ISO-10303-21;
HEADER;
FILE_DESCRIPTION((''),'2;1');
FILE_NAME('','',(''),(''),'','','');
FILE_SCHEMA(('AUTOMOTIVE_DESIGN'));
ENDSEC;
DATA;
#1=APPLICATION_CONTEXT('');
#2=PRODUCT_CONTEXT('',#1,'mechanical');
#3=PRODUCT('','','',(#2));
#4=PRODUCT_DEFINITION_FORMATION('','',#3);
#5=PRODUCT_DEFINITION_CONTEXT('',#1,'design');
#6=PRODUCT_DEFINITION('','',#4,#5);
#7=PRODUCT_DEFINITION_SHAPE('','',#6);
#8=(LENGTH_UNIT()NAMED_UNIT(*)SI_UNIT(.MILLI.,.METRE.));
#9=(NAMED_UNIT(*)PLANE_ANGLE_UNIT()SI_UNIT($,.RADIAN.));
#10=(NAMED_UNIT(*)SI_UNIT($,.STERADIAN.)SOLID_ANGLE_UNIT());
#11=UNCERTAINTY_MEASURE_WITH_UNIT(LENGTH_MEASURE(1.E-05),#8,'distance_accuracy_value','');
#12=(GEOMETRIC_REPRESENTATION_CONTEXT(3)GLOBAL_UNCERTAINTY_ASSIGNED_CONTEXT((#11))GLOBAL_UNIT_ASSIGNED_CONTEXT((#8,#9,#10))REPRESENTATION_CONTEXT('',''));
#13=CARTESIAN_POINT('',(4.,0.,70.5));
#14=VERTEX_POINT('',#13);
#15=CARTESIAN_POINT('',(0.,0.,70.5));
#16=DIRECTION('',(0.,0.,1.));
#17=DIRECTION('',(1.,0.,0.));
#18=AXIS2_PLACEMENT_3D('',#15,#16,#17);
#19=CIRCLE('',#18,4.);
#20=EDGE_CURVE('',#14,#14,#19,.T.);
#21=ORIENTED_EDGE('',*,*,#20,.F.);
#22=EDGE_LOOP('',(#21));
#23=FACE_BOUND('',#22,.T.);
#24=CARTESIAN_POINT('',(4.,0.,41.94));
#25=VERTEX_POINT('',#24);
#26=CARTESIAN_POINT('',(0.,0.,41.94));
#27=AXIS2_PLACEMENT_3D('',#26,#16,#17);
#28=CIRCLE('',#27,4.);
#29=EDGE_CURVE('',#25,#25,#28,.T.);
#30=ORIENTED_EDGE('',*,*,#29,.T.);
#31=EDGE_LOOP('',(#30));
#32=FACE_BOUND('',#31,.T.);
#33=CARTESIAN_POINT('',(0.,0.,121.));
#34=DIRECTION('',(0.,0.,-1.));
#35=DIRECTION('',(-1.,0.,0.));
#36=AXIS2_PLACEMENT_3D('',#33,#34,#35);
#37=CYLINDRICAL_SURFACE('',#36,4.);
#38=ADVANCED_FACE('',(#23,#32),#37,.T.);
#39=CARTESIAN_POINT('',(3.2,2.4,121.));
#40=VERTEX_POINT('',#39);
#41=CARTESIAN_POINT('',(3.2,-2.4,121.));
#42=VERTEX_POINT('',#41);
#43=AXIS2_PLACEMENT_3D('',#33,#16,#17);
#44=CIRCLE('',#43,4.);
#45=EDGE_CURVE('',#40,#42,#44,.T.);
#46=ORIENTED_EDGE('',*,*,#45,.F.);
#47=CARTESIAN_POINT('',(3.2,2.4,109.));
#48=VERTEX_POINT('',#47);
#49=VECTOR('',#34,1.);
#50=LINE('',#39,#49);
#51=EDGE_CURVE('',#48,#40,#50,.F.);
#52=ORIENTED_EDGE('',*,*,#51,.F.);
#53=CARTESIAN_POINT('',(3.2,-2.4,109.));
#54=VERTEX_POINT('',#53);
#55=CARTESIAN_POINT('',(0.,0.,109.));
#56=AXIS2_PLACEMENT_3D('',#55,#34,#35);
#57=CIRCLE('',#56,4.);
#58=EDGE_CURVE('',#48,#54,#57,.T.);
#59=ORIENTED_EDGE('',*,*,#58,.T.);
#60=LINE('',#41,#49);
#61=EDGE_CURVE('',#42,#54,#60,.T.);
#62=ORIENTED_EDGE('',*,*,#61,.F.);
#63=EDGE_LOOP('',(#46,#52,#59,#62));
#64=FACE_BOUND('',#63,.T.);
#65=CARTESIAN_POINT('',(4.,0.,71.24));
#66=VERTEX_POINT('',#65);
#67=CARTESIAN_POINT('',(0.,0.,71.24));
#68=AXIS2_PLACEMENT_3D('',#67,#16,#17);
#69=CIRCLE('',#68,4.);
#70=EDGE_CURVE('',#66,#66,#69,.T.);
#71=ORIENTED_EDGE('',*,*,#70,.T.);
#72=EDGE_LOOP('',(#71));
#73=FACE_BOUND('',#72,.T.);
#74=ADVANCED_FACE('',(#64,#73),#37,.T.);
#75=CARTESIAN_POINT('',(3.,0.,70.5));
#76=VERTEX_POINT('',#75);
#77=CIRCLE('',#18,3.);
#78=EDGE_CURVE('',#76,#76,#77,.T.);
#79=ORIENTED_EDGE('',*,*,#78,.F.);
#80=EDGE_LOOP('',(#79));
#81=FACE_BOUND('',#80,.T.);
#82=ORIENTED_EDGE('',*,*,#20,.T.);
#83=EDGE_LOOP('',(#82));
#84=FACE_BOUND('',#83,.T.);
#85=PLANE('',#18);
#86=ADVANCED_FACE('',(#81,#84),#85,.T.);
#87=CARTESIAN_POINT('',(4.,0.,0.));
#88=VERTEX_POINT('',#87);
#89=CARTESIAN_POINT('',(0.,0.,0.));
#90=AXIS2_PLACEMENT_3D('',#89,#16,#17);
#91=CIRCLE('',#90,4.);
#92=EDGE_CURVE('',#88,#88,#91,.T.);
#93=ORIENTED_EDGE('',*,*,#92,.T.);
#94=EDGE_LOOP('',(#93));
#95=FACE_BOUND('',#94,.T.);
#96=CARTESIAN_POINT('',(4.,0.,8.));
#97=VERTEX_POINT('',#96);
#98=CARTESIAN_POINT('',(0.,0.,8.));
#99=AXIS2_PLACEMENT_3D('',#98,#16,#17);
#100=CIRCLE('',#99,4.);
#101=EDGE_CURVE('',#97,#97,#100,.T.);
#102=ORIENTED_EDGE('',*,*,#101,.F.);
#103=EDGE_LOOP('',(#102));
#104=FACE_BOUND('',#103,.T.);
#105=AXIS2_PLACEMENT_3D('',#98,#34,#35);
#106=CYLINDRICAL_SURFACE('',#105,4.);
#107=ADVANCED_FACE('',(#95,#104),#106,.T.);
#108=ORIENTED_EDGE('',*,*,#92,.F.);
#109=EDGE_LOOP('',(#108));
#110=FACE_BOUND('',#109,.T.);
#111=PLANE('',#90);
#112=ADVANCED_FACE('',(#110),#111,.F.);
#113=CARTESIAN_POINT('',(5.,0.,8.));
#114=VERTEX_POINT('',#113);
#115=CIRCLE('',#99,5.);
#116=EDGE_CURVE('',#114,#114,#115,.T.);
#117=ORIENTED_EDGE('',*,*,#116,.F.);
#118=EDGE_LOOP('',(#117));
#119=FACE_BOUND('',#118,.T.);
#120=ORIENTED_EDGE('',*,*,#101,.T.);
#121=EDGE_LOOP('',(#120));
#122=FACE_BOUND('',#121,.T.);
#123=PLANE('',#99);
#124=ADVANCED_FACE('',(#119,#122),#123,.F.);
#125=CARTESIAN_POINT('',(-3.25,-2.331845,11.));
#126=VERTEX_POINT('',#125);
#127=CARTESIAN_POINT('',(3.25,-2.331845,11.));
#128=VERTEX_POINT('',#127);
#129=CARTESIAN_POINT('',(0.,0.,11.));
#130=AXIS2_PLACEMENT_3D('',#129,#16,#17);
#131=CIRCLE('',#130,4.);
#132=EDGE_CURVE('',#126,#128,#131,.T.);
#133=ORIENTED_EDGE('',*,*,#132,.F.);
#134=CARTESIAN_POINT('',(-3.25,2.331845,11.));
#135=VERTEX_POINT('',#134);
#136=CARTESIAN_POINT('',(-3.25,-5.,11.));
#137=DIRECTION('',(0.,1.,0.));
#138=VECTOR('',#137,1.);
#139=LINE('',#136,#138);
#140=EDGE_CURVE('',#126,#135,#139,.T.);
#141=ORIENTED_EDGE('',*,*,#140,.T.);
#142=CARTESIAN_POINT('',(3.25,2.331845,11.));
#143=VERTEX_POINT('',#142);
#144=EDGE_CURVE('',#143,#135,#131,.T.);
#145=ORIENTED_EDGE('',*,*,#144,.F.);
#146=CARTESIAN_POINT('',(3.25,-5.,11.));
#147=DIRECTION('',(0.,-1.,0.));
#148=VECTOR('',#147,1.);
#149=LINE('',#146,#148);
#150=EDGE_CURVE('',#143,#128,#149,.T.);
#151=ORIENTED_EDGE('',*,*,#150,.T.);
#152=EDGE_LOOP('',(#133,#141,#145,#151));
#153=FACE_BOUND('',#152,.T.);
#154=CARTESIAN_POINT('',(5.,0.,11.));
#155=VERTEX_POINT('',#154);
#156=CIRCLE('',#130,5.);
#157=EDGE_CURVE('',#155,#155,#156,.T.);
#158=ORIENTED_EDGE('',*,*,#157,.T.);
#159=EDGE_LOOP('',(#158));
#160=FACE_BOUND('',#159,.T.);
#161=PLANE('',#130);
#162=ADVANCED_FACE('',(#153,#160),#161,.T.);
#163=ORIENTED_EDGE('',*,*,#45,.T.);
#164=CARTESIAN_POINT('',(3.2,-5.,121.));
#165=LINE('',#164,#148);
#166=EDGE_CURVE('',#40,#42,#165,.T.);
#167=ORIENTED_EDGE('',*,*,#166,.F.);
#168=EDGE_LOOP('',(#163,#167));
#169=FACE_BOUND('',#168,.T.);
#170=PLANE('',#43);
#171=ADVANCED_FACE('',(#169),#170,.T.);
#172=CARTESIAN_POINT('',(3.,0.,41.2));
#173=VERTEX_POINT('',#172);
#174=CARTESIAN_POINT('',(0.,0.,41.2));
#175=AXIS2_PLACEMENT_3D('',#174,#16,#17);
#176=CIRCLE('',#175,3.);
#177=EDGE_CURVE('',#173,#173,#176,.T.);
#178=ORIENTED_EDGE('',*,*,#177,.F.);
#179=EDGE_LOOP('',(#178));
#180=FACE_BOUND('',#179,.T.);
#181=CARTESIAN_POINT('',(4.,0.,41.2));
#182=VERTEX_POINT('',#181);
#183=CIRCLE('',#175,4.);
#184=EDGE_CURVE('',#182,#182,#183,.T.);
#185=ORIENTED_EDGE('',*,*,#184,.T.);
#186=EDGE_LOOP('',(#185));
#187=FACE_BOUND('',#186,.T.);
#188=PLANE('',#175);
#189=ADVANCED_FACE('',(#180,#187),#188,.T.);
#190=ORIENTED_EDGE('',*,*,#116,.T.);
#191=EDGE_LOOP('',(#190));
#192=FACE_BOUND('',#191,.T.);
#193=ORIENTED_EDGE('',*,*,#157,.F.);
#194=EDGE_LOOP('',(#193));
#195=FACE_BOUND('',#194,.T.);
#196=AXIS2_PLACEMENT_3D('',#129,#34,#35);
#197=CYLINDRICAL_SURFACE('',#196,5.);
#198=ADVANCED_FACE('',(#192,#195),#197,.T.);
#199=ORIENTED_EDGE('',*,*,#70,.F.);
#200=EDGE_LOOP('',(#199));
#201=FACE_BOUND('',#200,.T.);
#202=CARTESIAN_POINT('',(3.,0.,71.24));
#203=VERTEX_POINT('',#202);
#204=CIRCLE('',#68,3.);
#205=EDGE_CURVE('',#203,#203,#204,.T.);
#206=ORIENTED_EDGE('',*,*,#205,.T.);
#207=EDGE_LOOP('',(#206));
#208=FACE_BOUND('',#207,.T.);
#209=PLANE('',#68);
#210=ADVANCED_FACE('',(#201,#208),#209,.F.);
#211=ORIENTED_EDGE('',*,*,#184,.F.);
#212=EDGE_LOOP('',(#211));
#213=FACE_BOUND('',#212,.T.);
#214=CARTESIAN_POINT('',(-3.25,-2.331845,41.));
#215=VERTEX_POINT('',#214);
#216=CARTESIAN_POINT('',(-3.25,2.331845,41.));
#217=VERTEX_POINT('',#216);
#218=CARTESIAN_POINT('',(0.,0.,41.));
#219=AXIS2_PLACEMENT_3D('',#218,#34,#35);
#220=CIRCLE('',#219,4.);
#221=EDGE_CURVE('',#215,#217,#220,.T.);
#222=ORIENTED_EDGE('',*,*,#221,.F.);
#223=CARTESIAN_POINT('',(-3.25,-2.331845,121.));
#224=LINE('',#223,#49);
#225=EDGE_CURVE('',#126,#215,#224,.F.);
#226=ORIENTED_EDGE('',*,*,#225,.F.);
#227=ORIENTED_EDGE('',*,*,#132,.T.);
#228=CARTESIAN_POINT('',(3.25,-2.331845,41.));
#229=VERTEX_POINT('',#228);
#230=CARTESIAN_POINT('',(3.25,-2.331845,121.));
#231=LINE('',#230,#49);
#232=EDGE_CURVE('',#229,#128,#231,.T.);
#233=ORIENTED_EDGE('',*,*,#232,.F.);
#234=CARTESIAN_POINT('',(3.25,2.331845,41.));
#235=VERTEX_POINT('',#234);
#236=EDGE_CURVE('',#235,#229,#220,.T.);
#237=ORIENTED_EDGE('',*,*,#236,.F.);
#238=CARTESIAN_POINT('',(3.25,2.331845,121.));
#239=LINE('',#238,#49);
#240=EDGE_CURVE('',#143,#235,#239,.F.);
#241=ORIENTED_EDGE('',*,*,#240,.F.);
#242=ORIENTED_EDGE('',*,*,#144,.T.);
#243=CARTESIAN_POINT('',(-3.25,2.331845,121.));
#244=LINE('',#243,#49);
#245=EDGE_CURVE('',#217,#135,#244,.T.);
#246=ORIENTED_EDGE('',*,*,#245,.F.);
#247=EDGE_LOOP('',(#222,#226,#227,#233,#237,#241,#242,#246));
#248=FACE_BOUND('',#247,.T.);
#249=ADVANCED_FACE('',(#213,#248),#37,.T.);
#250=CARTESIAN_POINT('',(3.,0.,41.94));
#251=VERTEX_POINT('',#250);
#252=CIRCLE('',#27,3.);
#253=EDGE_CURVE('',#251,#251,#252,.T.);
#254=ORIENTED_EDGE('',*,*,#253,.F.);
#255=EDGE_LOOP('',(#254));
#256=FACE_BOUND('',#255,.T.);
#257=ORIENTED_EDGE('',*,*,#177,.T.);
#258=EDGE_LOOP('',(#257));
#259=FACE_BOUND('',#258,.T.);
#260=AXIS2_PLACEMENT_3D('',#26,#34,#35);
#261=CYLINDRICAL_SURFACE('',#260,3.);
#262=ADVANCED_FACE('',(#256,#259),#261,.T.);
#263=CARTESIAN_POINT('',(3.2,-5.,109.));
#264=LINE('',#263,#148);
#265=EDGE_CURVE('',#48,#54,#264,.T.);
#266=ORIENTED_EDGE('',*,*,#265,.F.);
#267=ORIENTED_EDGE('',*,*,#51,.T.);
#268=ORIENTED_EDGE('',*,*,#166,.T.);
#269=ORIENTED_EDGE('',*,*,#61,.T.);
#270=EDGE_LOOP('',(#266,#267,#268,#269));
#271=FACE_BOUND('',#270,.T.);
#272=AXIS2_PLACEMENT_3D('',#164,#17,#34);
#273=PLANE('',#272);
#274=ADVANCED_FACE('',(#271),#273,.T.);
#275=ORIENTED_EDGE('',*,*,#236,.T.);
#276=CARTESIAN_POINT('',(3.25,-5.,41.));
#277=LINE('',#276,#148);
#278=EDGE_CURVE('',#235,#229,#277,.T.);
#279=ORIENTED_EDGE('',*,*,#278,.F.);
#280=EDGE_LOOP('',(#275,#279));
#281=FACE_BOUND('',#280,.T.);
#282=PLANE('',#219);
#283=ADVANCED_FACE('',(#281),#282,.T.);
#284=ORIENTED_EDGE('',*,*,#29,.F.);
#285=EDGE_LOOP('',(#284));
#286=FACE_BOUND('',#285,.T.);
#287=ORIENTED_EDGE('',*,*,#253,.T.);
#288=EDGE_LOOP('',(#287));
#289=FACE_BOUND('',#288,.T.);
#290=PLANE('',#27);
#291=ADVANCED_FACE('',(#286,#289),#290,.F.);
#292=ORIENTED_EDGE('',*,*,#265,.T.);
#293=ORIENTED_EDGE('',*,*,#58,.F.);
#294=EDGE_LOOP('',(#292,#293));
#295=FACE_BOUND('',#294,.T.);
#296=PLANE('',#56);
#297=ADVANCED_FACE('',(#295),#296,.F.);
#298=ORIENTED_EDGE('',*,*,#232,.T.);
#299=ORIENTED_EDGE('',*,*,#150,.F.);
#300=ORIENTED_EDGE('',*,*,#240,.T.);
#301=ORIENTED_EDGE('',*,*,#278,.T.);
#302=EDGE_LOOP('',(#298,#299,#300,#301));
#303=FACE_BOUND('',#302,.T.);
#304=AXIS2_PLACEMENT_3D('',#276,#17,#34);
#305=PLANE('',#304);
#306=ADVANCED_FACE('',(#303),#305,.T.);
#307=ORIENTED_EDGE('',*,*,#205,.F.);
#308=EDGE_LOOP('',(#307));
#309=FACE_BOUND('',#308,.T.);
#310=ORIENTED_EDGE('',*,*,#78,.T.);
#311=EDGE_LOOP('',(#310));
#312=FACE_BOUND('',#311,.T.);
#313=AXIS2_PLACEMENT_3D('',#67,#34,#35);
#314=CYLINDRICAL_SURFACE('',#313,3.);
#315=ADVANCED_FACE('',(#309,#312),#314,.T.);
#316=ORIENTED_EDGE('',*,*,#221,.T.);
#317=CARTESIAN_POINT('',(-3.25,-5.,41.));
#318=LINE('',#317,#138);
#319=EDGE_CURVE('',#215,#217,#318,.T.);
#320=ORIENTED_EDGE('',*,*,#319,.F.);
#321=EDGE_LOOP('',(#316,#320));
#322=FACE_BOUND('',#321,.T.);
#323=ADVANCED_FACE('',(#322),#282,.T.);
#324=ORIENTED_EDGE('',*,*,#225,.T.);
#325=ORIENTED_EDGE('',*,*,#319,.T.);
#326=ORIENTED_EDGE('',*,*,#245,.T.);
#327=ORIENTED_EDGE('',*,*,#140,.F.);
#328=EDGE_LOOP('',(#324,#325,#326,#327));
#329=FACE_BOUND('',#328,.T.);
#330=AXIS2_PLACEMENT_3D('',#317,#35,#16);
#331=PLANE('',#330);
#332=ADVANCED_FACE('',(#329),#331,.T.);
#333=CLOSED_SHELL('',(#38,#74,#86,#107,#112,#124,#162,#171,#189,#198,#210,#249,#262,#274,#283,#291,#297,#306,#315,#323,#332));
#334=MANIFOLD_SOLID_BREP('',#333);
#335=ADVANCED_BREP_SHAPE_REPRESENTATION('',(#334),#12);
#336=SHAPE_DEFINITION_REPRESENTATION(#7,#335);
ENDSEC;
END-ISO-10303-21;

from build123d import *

# Parameters (mm, degrees)
SKETCH1_R           = 4
LOWER_SEAT_DEPTH    = 8
SKETCH2_R           = 5
COLLAR_DEPTH        = 3
SKETCH3_R           = 4
UPPER_DEPTH         = 110
SKETCH4_R           = 5
SKETCH4_R_2         = 3
ECLIP_GROOVE1_DEPTH = 0.74
SKETCH5_R           = 5
SKETCH5_R_2         = 3
ECLIP_GROOVE2_DEPTH = 0.74
SKETCH6_W           = 3
SKETCH6_H           = 10
BURR_FLATS_DEPTH    = 30
SKETCH7_W           = 3
SKETCH7_H           = 10
CRANK_FLAT_DEPTH    = 12


with BuildPart() as part:
    # Sketch1 → Lower_seat (new body)
    with BuildSketch(Plane.XY):
        Circle(SKETCH1_R)
    extrude(amount=LOWER_SEAT_DEPTH)

    # Sketch2 → Collar (add)
    with BuildSketch(Plane.XY.offset(8)):
        Circle(SKETCH2_R)
    extrude(amount=COLLAR_DEPTH)

    # Sketch3 → Upper (add)
    with BuildSketch(Plane.XY.offset(11)):
        Circle(SKETCH3_R)
    extrude(amount=UPPER_DEPTH)

    # Sketch4 → Eclip_groove1 (cut)
    with BuildSketch(Plane.XY.offset(41.2)):
        Circle(SKETCH4_R)
        Circle(SKETCH4_R_2, mode=Mode.SUBTRACT)
    extrude(amount=ECLIP_GROOVE1_DEPTH, mode=Mode.SUBTRACT)

    # Sketch5 → Eclip_groove2 (cut)
    with BuildSketch(Plane.XY.offset(70.5)):
        Circle(SKETCH5_R)
        Circle(SKETCH5_R_2, mode=Mode.SUBTRACT)
    extrude(amount=ECLIP_GROOVE2_DEPTH, mode=Mode.SUBTRACT)

    # Sketch6 → Burr_flats (cut)
    with BuildSketch(Plane.XY.offset(11)):
        with Locations((4.75, 0)):
            Rectangle(SKETCH6_W, SKETCH6_H)
        with Locations((-4.75, 0)):
            Rectangle(SKETCH6_W, SKETCH6_H)
    extrude(amount=BURR_FLATS_DEPTH, mode=Mode.SUBTRACT)

    # Sketch7 → Crank_flat (cut)
    with BuildSketch(Plane.XY.offset(109)):
        with Locations((4.7, 0)):
            Rectangle(SKETCH7_W, SKETCH7_H)
    extrude(amount=CRANK_FLAT_DEPTH, mode=Mode.SUBTRACT)


solid = part.part
